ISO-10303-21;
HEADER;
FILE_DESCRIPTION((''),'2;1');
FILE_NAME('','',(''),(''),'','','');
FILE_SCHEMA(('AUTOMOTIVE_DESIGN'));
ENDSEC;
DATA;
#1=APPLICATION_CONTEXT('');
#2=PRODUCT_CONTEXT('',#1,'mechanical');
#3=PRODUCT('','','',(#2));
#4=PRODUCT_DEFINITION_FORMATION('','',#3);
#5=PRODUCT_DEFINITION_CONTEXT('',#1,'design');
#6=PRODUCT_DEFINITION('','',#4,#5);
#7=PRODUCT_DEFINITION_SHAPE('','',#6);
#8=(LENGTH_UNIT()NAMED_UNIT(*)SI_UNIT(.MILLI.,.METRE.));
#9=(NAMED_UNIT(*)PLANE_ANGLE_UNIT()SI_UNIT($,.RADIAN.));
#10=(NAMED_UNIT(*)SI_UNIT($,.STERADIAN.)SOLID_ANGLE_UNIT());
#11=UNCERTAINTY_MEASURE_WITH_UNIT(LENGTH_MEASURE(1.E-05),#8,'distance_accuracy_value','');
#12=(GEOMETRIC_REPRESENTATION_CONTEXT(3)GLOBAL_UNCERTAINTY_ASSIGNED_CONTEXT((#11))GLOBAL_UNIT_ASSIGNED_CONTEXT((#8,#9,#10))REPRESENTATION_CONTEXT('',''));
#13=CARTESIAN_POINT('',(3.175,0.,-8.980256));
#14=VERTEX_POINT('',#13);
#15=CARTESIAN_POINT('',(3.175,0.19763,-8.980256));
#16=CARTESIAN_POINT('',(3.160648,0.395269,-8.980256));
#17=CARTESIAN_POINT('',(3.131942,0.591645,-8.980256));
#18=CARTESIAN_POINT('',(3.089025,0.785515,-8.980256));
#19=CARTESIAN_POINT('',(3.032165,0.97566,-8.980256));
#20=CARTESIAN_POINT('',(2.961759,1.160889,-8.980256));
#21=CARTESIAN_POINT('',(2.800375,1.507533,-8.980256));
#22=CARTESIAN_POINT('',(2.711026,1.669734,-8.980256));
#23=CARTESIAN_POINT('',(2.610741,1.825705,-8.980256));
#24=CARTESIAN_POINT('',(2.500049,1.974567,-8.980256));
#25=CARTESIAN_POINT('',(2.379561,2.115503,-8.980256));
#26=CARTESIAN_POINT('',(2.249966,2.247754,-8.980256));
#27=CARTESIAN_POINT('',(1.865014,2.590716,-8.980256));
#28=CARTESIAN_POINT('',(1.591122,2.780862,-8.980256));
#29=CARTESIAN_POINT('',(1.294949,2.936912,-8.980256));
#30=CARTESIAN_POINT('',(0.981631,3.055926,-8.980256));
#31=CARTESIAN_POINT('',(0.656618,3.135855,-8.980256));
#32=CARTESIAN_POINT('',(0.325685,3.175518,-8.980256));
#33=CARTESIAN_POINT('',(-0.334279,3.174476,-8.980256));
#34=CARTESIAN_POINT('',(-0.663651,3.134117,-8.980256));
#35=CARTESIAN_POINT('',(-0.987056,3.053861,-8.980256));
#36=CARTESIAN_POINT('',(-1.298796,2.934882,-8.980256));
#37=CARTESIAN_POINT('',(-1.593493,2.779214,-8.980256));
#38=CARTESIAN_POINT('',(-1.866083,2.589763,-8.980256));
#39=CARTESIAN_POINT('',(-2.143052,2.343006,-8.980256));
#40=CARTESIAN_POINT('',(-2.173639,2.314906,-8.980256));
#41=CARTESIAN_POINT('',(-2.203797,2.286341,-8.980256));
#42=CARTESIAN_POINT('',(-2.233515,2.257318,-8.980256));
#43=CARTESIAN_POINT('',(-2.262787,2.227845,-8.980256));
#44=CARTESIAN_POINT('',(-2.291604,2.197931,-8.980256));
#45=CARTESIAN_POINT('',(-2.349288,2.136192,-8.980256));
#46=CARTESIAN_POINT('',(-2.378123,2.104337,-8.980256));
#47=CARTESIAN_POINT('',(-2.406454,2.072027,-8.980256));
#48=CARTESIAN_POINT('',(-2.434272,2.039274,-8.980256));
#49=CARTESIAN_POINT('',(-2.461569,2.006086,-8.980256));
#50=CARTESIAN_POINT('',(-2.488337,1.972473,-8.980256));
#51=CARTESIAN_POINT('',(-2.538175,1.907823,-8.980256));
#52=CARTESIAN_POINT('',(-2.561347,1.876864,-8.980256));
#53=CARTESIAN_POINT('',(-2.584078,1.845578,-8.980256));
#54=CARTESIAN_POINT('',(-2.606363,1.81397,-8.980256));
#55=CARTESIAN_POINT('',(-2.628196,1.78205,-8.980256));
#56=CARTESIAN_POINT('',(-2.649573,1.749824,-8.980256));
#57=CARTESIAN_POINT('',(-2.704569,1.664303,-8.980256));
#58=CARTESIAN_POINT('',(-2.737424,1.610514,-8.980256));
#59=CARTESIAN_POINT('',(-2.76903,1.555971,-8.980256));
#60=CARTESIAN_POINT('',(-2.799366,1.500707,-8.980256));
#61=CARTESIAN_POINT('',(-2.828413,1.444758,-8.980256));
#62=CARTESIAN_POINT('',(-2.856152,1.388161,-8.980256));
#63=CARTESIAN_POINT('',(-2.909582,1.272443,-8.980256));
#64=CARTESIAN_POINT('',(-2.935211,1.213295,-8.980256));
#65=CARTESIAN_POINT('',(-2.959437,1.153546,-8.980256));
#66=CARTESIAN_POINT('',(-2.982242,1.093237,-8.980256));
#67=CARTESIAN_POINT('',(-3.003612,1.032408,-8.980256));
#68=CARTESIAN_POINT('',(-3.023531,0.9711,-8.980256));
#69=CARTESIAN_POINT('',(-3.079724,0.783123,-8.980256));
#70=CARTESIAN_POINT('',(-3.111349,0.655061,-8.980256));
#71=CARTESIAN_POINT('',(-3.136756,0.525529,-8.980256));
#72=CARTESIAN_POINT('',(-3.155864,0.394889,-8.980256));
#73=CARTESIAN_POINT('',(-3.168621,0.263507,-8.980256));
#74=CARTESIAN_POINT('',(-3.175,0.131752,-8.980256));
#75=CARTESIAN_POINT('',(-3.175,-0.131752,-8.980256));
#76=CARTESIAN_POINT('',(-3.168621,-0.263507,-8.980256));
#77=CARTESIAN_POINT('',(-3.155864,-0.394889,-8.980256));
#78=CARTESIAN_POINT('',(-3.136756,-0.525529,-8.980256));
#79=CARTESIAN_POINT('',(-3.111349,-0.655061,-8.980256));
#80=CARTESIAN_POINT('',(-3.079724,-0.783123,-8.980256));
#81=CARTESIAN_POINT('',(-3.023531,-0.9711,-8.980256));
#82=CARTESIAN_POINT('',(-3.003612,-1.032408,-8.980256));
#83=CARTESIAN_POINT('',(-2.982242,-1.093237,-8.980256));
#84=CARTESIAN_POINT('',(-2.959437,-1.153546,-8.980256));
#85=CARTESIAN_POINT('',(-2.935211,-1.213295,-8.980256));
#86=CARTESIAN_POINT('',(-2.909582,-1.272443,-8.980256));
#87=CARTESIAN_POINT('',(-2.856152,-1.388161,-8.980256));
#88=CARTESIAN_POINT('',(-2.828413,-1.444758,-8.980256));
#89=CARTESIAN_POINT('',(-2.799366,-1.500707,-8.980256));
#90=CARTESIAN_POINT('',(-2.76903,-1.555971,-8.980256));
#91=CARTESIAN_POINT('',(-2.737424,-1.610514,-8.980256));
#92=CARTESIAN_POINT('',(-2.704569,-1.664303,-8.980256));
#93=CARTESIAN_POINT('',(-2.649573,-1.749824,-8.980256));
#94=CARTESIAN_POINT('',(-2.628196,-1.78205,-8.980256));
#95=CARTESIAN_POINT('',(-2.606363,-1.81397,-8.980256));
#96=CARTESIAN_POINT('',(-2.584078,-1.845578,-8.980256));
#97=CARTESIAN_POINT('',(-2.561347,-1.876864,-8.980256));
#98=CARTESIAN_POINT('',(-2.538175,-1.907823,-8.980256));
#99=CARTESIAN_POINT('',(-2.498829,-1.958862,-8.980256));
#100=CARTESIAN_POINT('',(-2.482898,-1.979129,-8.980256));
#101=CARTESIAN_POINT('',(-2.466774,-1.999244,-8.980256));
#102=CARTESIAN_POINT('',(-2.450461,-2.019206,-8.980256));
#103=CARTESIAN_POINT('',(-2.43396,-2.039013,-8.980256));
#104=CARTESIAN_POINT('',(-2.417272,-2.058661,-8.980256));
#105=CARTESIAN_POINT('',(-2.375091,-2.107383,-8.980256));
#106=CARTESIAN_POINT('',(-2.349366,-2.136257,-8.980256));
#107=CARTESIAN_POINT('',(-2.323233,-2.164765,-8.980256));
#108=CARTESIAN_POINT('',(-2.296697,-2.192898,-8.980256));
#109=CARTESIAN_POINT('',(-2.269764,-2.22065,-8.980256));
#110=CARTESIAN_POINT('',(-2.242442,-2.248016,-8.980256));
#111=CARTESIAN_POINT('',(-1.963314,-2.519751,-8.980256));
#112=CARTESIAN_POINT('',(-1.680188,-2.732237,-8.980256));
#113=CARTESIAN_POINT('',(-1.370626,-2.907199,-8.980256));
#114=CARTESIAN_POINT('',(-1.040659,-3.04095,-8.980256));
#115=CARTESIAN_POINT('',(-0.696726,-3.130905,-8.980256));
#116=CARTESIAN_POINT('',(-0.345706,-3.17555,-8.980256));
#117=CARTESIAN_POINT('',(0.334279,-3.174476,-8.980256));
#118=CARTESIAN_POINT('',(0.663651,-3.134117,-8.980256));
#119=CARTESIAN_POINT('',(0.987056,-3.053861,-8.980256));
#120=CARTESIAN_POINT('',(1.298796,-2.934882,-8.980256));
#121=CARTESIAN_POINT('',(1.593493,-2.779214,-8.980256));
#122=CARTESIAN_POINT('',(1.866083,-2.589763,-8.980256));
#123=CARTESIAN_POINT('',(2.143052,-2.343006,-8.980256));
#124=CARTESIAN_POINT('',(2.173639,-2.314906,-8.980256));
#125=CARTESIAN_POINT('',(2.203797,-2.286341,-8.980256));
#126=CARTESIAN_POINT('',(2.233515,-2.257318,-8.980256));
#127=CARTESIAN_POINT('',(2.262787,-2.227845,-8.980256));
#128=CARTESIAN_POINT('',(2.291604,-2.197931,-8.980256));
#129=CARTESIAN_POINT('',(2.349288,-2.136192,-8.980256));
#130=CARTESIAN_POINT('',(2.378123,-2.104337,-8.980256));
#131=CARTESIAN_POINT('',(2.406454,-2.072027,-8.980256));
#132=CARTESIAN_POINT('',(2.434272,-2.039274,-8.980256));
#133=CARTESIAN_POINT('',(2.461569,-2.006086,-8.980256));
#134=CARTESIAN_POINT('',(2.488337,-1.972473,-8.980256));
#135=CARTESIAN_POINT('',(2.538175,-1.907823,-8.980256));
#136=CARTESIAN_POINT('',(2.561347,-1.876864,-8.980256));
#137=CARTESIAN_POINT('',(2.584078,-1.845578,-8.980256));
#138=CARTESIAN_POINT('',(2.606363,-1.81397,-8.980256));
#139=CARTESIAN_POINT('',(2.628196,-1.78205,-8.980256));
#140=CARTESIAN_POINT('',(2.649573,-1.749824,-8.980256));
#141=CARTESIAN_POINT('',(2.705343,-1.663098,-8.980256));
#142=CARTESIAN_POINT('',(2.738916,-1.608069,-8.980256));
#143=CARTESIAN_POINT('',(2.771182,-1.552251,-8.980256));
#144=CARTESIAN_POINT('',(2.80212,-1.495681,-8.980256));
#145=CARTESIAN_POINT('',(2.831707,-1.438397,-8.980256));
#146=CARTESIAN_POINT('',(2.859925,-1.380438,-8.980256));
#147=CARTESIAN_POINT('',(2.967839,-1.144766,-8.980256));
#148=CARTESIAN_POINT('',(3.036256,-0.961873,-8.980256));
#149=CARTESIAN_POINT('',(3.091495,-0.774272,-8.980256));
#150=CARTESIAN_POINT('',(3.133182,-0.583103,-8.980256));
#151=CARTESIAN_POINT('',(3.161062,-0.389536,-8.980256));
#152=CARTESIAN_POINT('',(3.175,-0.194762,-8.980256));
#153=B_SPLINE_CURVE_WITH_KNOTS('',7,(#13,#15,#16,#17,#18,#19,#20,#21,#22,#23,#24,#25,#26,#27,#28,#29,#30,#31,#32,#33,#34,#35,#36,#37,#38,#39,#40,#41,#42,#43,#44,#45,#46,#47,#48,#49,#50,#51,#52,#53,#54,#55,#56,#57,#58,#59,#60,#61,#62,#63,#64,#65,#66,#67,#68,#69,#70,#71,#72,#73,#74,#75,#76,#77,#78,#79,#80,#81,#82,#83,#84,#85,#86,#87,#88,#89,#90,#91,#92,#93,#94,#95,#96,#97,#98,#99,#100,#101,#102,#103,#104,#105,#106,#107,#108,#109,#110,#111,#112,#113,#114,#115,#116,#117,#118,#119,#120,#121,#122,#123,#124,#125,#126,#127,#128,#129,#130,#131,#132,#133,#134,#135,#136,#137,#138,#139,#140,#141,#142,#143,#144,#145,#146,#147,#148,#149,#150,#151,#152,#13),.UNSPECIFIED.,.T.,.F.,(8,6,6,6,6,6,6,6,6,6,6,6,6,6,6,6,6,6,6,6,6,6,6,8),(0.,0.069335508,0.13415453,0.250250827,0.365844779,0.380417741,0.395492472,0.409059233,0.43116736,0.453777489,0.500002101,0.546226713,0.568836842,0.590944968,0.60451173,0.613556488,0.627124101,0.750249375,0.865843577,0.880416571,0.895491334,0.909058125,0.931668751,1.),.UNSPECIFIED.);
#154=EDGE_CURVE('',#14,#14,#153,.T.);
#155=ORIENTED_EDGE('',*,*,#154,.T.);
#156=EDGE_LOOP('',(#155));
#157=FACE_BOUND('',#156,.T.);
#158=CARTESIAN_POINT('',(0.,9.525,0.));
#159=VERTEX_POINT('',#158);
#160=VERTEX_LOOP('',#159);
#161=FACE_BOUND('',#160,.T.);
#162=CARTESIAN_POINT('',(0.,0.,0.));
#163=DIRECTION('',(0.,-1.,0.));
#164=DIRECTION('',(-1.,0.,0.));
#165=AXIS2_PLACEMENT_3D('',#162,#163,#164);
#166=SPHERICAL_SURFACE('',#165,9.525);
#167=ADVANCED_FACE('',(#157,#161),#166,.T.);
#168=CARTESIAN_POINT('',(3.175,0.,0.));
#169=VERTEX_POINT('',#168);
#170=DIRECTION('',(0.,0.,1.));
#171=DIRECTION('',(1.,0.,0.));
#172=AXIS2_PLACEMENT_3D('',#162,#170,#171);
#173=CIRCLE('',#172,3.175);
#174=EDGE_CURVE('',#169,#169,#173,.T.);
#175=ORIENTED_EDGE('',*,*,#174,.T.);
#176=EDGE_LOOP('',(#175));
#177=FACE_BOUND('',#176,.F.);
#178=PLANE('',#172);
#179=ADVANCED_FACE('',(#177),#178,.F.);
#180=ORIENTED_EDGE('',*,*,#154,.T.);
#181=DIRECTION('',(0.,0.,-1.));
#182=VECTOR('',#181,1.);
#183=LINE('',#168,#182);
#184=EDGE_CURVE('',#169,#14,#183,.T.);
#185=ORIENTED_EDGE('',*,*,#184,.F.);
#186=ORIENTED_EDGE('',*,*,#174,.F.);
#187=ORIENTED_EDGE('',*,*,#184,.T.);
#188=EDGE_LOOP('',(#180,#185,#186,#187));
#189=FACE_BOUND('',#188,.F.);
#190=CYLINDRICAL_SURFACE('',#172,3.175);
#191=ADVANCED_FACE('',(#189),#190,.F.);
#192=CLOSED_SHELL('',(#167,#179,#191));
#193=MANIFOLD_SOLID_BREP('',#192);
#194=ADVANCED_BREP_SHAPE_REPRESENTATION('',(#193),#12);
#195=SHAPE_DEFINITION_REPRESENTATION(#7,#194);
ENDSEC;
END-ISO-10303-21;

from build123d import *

# Parameters (mm, degrees)
F3_R     = 3.175
F4_DEPTH = 50.8


with BuildPart() as f2:
    # F0 (on Top) → F2 (revolve)
    with BuildSketch(Plane.XY):
        with BuildLine():
            Line((0, -9.525), (0, 9.525))
            ThreePointArc((0, 9.525), (-9.525, 0), (0, -9.525))
        make_face()
    revolve(axis=Axis((0, 0, 0), (0, -1, 0)))


with BuildPart() as f4:
    # F3 (on Top) → F4 (new body)
    with BuildSketch(Plane.XY):
        Circle(F3_R)
    extrude(amount=-F4_DEPTH)


with BuildPart() as f2_1:
    add(f2.part)

    # F5: cut F4
    add(f4.part, mode=Mode.SUBTRACT)


solid = f2_1.part
